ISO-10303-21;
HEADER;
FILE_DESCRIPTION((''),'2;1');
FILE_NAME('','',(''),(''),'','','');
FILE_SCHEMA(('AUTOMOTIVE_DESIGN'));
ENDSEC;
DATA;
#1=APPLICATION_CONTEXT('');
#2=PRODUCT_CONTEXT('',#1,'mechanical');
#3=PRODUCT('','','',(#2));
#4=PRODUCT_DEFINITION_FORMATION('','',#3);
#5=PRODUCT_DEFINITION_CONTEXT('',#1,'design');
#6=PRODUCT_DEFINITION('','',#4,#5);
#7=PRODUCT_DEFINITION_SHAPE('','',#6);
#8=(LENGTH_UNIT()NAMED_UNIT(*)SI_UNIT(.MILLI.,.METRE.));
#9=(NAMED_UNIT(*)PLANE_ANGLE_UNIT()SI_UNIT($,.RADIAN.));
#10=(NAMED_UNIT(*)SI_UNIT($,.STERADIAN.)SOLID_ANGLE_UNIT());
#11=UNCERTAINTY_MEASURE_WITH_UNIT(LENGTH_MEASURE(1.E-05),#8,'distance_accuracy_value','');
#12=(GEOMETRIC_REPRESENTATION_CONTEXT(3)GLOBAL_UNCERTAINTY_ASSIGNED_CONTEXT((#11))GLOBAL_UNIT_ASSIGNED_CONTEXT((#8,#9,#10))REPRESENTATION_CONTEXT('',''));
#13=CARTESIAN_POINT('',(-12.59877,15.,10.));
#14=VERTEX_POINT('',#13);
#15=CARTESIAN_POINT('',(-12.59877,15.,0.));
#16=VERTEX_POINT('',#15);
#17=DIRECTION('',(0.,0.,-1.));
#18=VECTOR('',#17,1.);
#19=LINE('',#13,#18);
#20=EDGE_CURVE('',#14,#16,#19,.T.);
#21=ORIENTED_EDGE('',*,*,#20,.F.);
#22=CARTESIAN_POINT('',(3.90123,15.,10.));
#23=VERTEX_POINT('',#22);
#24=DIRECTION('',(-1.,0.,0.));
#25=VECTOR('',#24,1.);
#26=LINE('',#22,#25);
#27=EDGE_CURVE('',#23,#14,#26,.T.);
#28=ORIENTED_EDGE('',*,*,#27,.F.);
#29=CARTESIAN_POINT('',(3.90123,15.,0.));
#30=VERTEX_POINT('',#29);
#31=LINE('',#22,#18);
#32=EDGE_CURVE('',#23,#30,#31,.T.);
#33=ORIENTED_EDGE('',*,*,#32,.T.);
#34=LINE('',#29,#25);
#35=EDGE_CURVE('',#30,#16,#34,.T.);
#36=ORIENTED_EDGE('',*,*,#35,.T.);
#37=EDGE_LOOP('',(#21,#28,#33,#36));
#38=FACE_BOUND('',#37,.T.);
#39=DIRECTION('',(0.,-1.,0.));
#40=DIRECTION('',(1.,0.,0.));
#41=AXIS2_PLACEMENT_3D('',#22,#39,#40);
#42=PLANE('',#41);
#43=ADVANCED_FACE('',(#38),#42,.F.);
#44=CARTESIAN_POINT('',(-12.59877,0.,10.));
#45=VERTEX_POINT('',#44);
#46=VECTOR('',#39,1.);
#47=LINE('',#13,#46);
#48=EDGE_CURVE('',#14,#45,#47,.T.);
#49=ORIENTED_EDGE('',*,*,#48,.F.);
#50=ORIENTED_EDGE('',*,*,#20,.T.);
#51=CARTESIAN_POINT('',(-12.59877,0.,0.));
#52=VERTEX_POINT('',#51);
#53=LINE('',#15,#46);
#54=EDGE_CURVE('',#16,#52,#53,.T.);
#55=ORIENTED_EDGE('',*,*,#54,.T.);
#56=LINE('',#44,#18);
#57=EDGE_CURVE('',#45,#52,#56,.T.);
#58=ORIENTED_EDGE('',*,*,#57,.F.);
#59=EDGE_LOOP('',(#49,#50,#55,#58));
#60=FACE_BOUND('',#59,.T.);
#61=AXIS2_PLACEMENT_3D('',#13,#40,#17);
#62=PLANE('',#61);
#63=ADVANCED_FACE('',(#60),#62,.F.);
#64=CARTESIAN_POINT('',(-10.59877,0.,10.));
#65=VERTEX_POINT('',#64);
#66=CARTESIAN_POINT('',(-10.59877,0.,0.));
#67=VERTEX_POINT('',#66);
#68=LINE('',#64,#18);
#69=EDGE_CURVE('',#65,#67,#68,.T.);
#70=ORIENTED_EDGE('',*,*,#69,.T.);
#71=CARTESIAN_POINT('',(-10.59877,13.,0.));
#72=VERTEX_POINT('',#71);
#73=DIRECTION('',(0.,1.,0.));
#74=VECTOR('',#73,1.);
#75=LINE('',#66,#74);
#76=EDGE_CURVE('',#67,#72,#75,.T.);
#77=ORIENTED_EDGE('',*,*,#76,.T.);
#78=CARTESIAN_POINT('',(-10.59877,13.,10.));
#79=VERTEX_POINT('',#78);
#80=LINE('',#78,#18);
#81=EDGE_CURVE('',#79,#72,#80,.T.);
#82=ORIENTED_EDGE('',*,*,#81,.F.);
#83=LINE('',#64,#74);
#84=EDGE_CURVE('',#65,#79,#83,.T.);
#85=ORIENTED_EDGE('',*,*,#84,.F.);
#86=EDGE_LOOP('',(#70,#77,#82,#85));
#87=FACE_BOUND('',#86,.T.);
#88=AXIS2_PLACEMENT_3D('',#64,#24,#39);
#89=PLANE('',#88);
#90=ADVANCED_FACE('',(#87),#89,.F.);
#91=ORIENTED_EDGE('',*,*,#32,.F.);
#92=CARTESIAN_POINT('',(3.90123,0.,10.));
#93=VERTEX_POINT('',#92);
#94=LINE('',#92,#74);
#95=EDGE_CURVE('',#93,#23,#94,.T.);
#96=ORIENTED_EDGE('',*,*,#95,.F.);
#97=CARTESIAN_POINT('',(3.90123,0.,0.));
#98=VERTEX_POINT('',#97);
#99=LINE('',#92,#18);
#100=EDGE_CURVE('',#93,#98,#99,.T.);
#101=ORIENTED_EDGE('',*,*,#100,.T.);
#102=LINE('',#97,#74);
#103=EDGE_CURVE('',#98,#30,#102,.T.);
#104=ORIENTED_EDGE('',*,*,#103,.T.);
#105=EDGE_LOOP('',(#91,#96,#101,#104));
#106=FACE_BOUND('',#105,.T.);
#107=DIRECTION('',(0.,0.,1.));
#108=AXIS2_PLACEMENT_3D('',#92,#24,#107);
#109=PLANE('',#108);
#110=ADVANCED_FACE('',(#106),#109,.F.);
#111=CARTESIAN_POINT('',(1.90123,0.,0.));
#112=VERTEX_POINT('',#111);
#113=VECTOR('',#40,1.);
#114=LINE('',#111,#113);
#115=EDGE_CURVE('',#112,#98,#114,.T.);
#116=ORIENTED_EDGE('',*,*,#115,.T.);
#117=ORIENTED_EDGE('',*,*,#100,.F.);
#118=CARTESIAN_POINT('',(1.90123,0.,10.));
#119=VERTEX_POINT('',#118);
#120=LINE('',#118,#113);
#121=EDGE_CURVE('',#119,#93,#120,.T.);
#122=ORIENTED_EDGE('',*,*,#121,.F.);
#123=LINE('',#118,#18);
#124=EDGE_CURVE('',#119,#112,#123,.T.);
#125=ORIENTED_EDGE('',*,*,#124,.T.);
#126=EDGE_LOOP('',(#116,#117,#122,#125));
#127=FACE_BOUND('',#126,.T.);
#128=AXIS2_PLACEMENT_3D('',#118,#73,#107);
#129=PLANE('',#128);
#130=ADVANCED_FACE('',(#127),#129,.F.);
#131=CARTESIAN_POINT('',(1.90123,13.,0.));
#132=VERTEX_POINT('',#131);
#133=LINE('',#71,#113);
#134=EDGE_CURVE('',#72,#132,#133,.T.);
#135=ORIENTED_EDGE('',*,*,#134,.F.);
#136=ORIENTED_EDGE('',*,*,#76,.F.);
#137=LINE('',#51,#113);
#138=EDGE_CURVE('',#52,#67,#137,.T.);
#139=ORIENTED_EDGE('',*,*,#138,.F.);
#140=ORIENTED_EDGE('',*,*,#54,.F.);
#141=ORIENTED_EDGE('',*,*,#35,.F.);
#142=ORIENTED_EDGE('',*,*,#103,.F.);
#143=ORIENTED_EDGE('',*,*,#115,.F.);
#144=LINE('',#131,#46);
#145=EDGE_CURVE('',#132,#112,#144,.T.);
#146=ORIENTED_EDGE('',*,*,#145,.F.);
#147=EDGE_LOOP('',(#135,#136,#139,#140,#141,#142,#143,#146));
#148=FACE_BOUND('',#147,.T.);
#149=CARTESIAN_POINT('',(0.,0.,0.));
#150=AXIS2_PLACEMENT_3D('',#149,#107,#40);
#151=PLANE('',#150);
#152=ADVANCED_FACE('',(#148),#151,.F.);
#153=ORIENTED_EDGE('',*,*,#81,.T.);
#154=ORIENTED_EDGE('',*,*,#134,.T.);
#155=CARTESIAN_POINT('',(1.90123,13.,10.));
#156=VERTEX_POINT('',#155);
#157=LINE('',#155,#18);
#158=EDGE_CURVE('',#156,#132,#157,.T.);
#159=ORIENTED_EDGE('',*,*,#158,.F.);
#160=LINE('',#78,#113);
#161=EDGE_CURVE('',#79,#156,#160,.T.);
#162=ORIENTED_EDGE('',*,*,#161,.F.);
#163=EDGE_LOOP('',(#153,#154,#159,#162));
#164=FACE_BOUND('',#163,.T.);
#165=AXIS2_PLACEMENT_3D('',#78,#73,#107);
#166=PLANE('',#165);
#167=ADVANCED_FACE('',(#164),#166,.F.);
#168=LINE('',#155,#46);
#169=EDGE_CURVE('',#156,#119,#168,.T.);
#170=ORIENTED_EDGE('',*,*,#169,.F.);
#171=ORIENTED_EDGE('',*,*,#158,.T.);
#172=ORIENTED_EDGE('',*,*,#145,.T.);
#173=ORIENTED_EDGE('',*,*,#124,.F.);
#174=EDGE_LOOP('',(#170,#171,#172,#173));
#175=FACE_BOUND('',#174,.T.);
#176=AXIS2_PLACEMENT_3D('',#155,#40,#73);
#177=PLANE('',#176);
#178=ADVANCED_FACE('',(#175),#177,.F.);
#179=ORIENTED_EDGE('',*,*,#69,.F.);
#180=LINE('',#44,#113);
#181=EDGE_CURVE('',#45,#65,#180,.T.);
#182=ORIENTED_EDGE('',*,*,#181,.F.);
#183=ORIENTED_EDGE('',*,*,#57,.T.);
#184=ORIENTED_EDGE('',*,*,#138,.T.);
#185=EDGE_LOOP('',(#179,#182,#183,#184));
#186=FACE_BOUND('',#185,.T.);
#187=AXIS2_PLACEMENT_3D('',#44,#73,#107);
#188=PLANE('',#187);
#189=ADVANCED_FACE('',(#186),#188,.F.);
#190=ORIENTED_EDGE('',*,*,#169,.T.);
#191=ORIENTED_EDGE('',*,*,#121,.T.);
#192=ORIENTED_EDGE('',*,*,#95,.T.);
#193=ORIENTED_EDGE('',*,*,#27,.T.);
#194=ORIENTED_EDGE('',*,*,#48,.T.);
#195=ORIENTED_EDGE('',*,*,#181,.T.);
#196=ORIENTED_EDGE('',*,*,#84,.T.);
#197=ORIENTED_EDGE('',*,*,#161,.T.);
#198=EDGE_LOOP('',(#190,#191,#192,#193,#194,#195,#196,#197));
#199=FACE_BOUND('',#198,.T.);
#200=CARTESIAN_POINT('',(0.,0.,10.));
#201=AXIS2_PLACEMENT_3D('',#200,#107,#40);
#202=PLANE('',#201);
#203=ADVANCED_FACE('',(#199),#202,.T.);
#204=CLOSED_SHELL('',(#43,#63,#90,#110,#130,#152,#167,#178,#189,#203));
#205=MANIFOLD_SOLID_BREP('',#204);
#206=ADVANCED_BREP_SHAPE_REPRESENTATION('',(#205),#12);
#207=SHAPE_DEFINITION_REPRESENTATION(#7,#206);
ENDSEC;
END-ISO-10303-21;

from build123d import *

# Parameters (mm, degrees)
BOSS_EXTRUDE1_DEPTH = 10


with BuildPart() as part:
    # Sketch1 → Boss-Extrude1 (new body)
    with BuildSketch(Plane.XY):
        Polygon((-12.598770082, 0), (-10.598770082, 0), (-10.598770082, 13), (1.901229918, 13), (1.901229918, 0), (3.901229918, 0), (3.901229918, 15), (-12.598770082, 15), align=None)
    extrude(amount=BOSS_EXTRUDE1_DEPTH)


solid = part.part
